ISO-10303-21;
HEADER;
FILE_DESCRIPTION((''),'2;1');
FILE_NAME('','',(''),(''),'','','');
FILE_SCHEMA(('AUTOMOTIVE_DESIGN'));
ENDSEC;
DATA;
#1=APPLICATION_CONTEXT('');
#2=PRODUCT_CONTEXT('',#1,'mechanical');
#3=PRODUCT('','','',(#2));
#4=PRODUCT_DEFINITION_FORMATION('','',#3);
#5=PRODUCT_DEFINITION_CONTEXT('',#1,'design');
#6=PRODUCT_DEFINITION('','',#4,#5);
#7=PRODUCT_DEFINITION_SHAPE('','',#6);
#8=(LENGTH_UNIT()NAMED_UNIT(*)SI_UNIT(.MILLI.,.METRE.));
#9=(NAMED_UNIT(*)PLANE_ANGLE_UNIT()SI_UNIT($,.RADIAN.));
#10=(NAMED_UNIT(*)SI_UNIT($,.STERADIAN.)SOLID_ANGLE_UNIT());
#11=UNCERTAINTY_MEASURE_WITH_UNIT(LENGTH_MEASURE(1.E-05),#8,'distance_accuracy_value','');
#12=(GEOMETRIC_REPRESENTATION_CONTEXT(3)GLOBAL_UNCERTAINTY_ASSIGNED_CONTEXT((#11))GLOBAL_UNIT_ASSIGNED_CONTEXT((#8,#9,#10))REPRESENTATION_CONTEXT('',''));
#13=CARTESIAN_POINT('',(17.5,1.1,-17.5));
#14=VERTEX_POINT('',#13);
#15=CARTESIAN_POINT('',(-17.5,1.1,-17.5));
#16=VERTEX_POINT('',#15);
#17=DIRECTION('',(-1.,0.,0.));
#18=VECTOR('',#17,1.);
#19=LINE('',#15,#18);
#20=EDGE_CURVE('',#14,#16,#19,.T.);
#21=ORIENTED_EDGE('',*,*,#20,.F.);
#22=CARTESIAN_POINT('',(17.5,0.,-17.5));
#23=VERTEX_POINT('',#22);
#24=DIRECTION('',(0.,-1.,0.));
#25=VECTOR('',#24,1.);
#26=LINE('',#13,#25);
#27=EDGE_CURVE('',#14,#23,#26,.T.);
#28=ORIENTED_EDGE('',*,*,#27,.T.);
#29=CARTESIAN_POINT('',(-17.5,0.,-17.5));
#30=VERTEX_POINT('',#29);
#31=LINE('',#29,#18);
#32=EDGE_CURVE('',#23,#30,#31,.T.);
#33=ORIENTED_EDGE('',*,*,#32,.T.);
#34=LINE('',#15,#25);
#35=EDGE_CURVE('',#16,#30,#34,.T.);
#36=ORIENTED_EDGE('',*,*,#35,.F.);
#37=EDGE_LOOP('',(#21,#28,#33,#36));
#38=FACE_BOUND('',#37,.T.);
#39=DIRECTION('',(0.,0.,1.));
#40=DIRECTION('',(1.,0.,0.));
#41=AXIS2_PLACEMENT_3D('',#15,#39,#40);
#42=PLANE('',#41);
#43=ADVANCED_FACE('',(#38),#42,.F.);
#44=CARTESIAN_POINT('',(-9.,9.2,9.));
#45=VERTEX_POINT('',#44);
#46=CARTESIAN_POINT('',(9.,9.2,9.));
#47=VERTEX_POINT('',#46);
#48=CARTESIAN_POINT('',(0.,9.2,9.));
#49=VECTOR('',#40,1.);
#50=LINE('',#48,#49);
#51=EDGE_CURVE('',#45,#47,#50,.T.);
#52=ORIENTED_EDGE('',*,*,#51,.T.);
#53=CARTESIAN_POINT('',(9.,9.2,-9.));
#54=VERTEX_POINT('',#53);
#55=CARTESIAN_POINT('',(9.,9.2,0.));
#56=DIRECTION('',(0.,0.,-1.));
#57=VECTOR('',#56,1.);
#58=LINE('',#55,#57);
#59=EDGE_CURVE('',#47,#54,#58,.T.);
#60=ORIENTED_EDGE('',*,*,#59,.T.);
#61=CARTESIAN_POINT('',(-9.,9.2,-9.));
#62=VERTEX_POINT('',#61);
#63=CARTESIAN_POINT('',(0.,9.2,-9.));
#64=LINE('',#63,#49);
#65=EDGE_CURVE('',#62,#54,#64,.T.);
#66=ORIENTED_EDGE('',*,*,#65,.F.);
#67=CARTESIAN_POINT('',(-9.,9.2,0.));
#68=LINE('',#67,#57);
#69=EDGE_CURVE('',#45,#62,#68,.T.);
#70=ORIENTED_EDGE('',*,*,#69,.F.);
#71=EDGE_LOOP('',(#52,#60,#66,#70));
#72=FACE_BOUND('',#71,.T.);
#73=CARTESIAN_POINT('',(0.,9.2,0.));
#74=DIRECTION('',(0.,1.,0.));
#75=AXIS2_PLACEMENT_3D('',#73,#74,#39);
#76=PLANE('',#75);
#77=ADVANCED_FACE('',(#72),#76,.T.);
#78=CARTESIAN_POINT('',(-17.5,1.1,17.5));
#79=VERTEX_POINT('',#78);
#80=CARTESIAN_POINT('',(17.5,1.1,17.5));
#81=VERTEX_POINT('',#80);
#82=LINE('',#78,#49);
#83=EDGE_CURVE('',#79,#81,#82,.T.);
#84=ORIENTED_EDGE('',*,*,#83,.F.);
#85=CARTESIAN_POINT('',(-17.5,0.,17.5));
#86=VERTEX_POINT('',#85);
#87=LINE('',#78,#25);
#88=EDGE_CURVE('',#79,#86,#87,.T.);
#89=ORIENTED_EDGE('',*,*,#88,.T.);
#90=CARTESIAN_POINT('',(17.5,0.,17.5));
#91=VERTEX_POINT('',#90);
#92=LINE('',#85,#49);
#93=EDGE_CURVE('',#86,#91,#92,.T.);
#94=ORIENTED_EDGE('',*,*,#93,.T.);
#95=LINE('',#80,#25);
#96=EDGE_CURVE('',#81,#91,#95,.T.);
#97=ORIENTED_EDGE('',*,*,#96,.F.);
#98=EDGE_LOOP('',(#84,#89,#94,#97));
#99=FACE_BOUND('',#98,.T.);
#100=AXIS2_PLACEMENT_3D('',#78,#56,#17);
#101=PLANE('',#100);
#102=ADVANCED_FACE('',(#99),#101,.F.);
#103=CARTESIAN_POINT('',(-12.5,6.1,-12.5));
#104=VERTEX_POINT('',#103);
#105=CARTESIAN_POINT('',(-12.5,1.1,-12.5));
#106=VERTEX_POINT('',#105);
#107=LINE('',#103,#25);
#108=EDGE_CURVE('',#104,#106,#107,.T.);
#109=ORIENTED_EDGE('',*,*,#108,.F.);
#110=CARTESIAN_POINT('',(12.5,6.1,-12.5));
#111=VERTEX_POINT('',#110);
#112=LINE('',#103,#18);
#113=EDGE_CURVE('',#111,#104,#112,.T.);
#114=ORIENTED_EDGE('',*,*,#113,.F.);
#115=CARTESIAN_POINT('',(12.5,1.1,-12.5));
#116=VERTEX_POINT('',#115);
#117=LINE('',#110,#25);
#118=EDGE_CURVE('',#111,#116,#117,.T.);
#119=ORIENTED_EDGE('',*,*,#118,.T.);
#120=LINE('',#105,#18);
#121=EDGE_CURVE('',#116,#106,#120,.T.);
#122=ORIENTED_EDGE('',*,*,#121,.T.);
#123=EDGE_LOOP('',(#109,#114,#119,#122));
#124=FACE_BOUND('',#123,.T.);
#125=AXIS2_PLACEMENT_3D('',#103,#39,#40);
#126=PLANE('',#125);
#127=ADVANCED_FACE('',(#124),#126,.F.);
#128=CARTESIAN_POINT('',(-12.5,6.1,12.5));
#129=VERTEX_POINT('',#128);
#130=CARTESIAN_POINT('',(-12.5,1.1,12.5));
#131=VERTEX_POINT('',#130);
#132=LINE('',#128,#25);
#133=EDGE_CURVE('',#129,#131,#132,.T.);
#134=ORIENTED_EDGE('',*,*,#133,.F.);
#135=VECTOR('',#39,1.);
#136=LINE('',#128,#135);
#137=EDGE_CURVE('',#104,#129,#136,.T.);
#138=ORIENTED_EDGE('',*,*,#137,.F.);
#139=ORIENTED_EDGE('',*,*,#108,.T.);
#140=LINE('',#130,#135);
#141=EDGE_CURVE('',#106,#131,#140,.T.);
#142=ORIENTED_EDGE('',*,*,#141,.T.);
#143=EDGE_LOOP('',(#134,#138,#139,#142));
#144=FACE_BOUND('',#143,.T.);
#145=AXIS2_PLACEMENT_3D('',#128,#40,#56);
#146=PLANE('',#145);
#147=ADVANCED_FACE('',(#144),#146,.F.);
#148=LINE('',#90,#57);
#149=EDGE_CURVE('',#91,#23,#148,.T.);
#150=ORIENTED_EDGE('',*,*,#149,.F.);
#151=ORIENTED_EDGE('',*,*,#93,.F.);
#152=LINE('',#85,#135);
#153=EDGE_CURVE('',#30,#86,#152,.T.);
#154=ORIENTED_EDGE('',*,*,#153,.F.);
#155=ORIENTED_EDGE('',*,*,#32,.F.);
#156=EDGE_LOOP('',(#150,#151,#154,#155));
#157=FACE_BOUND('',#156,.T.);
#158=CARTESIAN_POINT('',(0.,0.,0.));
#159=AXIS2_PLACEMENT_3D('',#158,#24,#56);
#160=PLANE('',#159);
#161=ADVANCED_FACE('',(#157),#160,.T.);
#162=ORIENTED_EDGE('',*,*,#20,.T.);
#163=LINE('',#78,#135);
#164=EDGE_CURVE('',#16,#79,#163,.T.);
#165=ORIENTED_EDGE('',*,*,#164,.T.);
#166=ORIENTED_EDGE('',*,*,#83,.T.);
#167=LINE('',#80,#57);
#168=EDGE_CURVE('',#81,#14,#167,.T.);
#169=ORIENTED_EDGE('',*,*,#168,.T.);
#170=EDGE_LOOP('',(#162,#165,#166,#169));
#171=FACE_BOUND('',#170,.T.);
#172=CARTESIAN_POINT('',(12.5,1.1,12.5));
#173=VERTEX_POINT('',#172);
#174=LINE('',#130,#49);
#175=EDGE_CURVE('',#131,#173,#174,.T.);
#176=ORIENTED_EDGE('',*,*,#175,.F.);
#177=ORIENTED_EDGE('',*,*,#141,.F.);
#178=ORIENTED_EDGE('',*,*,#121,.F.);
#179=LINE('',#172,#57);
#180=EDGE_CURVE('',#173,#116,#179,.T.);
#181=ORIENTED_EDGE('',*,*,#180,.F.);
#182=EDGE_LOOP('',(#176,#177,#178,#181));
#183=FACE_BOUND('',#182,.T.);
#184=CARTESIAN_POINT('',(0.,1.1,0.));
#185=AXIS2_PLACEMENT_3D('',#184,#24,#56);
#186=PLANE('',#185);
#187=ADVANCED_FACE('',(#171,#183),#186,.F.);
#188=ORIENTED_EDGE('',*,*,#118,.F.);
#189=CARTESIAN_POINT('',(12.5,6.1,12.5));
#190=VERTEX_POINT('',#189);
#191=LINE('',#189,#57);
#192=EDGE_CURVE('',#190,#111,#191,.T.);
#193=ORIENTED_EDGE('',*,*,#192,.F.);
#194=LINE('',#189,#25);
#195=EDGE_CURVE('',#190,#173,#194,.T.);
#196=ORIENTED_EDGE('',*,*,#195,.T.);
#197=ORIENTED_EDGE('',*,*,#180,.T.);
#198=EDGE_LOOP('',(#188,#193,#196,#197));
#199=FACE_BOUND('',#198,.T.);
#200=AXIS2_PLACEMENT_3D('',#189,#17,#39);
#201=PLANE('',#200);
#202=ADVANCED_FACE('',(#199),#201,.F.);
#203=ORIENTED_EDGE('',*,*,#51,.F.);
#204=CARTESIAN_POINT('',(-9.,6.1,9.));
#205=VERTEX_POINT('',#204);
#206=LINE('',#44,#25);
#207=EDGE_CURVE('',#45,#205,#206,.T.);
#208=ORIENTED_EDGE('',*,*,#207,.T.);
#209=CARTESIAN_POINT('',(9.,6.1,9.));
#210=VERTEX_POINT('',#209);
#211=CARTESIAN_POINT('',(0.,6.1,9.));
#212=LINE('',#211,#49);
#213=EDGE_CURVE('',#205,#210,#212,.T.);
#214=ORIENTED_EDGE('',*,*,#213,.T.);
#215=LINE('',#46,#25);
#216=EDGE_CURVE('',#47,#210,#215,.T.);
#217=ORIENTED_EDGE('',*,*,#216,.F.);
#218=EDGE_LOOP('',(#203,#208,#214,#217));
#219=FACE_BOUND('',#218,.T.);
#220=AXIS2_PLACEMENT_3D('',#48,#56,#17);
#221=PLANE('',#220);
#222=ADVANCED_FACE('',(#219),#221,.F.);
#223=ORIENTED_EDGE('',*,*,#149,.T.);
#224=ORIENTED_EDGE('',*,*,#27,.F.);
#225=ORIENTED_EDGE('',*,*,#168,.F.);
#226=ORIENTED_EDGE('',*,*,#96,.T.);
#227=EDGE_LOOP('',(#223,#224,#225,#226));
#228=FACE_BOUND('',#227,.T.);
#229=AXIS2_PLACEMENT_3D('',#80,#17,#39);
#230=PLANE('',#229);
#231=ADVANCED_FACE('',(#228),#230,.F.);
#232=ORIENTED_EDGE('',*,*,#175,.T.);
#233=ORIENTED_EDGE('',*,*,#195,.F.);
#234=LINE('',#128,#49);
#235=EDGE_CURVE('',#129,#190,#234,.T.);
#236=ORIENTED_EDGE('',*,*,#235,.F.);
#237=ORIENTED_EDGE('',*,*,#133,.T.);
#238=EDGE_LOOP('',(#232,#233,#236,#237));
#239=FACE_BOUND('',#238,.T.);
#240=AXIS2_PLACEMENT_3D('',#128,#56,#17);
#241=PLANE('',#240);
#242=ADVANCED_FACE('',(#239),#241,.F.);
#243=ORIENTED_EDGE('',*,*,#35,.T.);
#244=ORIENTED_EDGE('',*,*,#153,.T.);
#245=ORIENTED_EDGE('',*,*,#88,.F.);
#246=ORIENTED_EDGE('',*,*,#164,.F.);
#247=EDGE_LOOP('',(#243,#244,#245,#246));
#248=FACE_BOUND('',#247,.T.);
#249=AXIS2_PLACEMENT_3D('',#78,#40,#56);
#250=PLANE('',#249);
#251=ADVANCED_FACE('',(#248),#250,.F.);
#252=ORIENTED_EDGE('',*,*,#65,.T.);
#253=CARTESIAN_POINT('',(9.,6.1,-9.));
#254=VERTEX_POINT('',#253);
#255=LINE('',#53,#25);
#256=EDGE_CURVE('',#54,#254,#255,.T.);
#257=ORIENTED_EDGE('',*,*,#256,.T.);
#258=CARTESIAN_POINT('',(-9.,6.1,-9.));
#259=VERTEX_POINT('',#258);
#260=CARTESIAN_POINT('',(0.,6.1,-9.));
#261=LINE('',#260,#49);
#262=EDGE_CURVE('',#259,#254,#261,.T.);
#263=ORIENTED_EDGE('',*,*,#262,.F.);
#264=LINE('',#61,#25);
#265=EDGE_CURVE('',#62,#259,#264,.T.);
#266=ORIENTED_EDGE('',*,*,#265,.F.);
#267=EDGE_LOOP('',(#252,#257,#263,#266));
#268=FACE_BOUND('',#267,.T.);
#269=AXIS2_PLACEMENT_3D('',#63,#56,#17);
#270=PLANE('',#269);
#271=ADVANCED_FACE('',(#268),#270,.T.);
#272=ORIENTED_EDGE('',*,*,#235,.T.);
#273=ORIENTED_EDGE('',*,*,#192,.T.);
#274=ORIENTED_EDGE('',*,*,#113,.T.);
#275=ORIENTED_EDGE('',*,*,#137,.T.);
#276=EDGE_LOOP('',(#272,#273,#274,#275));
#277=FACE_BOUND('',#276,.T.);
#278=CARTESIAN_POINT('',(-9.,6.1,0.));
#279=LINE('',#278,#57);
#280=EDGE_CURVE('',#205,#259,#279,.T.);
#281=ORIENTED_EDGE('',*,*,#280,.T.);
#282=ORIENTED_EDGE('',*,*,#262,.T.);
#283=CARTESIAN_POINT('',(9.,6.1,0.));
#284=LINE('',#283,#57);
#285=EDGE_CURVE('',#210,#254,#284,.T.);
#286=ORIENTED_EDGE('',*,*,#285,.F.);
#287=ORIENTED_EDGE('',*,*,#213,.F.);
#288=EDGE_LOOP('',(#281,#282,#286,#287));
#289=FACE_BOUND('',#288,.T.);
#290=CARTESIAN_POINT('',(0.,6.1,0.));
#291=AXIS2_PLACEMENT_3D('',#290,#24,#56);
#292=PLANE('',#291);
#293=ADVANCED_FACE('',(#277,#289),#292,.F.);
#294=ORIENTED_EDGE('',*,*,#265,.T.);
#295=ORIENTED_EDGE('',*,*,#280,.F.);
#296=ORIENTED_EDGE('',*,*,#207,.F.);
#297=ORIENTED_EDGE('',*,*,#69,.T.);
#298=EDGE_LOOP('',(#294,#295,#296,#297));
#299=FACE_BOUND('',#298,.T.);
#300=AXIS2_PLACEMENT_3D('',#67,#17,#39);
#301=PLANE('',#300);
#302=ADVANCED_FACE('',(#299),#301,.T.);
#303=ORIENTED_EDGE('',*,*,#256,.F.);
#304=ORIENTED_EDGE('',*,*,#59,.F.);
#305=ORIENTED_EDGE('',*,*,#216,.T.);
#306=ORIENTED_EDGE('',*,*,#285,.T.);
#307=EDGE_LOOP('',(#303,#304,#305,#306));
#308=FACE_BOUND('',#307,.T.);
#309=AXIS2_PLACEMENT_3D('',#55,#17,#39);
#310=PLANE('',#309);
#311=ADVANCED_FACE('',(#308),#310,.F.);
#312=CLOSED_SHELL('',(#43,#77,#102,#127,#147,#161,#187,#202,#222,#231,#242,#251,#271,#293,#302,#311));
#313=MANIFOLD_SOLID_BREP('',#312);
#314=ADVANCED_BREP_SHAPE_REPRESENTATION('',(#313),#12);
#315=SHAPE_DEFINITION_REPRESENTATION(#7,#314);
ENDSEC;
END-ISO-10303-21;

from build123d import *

# Parameters (mm, degrees)
SKETCH1_W           = 35
SKETCH1_H           = 35
BOSS_EXTRUDE1_DEPTH = 1.1
SKETCH2_W           = 25
SKETCH2_H           = 25
BOSS_EXTRUDE2_DEPTH = 5
SKETCH3_W           = 18
SKETCH3_H           = 18
BOSS_EXTRUDE6_DEPTH = 3.1


with BuildPart() as part:
    # Sketch1 → Boss-Extrude1 (new body)
    with BuildSketch(Plane(origin=(0, 0, 0), x_dir=(1, 0, 0), z_dir=(0, 1, 0))):
        Rectangle(SKETCH1_W, SKETCH1_H)
    extrude(amount=BOSS_EXTRUDE1_DEPTH)

    # Sketch2 → Boss-Extrude2 (add)
    with BuildSketch(Plane(origin=(0, 1.1, 0), x_dir=(1, 0, 0), z_dir=(0, 1, 0))):
        Rectangle(SKETCH2_W, SKETCH2_H)
    extrude(amount=BOSS_EXTRUDE2_DEPTH)

    # Sketch3 → Boss-Extrude6 (add)
    with BuildSketch(Plane(origin=(0, 6.1, 0), x_dir=(1, 0, 0), z_dir=(0, 1, 0))):
        Rectangle(SKETCH3_W, SKETCH3_H)
    extrude(amount=BOSS_EXTRUDE6_DEPTH)


solid = part.part
